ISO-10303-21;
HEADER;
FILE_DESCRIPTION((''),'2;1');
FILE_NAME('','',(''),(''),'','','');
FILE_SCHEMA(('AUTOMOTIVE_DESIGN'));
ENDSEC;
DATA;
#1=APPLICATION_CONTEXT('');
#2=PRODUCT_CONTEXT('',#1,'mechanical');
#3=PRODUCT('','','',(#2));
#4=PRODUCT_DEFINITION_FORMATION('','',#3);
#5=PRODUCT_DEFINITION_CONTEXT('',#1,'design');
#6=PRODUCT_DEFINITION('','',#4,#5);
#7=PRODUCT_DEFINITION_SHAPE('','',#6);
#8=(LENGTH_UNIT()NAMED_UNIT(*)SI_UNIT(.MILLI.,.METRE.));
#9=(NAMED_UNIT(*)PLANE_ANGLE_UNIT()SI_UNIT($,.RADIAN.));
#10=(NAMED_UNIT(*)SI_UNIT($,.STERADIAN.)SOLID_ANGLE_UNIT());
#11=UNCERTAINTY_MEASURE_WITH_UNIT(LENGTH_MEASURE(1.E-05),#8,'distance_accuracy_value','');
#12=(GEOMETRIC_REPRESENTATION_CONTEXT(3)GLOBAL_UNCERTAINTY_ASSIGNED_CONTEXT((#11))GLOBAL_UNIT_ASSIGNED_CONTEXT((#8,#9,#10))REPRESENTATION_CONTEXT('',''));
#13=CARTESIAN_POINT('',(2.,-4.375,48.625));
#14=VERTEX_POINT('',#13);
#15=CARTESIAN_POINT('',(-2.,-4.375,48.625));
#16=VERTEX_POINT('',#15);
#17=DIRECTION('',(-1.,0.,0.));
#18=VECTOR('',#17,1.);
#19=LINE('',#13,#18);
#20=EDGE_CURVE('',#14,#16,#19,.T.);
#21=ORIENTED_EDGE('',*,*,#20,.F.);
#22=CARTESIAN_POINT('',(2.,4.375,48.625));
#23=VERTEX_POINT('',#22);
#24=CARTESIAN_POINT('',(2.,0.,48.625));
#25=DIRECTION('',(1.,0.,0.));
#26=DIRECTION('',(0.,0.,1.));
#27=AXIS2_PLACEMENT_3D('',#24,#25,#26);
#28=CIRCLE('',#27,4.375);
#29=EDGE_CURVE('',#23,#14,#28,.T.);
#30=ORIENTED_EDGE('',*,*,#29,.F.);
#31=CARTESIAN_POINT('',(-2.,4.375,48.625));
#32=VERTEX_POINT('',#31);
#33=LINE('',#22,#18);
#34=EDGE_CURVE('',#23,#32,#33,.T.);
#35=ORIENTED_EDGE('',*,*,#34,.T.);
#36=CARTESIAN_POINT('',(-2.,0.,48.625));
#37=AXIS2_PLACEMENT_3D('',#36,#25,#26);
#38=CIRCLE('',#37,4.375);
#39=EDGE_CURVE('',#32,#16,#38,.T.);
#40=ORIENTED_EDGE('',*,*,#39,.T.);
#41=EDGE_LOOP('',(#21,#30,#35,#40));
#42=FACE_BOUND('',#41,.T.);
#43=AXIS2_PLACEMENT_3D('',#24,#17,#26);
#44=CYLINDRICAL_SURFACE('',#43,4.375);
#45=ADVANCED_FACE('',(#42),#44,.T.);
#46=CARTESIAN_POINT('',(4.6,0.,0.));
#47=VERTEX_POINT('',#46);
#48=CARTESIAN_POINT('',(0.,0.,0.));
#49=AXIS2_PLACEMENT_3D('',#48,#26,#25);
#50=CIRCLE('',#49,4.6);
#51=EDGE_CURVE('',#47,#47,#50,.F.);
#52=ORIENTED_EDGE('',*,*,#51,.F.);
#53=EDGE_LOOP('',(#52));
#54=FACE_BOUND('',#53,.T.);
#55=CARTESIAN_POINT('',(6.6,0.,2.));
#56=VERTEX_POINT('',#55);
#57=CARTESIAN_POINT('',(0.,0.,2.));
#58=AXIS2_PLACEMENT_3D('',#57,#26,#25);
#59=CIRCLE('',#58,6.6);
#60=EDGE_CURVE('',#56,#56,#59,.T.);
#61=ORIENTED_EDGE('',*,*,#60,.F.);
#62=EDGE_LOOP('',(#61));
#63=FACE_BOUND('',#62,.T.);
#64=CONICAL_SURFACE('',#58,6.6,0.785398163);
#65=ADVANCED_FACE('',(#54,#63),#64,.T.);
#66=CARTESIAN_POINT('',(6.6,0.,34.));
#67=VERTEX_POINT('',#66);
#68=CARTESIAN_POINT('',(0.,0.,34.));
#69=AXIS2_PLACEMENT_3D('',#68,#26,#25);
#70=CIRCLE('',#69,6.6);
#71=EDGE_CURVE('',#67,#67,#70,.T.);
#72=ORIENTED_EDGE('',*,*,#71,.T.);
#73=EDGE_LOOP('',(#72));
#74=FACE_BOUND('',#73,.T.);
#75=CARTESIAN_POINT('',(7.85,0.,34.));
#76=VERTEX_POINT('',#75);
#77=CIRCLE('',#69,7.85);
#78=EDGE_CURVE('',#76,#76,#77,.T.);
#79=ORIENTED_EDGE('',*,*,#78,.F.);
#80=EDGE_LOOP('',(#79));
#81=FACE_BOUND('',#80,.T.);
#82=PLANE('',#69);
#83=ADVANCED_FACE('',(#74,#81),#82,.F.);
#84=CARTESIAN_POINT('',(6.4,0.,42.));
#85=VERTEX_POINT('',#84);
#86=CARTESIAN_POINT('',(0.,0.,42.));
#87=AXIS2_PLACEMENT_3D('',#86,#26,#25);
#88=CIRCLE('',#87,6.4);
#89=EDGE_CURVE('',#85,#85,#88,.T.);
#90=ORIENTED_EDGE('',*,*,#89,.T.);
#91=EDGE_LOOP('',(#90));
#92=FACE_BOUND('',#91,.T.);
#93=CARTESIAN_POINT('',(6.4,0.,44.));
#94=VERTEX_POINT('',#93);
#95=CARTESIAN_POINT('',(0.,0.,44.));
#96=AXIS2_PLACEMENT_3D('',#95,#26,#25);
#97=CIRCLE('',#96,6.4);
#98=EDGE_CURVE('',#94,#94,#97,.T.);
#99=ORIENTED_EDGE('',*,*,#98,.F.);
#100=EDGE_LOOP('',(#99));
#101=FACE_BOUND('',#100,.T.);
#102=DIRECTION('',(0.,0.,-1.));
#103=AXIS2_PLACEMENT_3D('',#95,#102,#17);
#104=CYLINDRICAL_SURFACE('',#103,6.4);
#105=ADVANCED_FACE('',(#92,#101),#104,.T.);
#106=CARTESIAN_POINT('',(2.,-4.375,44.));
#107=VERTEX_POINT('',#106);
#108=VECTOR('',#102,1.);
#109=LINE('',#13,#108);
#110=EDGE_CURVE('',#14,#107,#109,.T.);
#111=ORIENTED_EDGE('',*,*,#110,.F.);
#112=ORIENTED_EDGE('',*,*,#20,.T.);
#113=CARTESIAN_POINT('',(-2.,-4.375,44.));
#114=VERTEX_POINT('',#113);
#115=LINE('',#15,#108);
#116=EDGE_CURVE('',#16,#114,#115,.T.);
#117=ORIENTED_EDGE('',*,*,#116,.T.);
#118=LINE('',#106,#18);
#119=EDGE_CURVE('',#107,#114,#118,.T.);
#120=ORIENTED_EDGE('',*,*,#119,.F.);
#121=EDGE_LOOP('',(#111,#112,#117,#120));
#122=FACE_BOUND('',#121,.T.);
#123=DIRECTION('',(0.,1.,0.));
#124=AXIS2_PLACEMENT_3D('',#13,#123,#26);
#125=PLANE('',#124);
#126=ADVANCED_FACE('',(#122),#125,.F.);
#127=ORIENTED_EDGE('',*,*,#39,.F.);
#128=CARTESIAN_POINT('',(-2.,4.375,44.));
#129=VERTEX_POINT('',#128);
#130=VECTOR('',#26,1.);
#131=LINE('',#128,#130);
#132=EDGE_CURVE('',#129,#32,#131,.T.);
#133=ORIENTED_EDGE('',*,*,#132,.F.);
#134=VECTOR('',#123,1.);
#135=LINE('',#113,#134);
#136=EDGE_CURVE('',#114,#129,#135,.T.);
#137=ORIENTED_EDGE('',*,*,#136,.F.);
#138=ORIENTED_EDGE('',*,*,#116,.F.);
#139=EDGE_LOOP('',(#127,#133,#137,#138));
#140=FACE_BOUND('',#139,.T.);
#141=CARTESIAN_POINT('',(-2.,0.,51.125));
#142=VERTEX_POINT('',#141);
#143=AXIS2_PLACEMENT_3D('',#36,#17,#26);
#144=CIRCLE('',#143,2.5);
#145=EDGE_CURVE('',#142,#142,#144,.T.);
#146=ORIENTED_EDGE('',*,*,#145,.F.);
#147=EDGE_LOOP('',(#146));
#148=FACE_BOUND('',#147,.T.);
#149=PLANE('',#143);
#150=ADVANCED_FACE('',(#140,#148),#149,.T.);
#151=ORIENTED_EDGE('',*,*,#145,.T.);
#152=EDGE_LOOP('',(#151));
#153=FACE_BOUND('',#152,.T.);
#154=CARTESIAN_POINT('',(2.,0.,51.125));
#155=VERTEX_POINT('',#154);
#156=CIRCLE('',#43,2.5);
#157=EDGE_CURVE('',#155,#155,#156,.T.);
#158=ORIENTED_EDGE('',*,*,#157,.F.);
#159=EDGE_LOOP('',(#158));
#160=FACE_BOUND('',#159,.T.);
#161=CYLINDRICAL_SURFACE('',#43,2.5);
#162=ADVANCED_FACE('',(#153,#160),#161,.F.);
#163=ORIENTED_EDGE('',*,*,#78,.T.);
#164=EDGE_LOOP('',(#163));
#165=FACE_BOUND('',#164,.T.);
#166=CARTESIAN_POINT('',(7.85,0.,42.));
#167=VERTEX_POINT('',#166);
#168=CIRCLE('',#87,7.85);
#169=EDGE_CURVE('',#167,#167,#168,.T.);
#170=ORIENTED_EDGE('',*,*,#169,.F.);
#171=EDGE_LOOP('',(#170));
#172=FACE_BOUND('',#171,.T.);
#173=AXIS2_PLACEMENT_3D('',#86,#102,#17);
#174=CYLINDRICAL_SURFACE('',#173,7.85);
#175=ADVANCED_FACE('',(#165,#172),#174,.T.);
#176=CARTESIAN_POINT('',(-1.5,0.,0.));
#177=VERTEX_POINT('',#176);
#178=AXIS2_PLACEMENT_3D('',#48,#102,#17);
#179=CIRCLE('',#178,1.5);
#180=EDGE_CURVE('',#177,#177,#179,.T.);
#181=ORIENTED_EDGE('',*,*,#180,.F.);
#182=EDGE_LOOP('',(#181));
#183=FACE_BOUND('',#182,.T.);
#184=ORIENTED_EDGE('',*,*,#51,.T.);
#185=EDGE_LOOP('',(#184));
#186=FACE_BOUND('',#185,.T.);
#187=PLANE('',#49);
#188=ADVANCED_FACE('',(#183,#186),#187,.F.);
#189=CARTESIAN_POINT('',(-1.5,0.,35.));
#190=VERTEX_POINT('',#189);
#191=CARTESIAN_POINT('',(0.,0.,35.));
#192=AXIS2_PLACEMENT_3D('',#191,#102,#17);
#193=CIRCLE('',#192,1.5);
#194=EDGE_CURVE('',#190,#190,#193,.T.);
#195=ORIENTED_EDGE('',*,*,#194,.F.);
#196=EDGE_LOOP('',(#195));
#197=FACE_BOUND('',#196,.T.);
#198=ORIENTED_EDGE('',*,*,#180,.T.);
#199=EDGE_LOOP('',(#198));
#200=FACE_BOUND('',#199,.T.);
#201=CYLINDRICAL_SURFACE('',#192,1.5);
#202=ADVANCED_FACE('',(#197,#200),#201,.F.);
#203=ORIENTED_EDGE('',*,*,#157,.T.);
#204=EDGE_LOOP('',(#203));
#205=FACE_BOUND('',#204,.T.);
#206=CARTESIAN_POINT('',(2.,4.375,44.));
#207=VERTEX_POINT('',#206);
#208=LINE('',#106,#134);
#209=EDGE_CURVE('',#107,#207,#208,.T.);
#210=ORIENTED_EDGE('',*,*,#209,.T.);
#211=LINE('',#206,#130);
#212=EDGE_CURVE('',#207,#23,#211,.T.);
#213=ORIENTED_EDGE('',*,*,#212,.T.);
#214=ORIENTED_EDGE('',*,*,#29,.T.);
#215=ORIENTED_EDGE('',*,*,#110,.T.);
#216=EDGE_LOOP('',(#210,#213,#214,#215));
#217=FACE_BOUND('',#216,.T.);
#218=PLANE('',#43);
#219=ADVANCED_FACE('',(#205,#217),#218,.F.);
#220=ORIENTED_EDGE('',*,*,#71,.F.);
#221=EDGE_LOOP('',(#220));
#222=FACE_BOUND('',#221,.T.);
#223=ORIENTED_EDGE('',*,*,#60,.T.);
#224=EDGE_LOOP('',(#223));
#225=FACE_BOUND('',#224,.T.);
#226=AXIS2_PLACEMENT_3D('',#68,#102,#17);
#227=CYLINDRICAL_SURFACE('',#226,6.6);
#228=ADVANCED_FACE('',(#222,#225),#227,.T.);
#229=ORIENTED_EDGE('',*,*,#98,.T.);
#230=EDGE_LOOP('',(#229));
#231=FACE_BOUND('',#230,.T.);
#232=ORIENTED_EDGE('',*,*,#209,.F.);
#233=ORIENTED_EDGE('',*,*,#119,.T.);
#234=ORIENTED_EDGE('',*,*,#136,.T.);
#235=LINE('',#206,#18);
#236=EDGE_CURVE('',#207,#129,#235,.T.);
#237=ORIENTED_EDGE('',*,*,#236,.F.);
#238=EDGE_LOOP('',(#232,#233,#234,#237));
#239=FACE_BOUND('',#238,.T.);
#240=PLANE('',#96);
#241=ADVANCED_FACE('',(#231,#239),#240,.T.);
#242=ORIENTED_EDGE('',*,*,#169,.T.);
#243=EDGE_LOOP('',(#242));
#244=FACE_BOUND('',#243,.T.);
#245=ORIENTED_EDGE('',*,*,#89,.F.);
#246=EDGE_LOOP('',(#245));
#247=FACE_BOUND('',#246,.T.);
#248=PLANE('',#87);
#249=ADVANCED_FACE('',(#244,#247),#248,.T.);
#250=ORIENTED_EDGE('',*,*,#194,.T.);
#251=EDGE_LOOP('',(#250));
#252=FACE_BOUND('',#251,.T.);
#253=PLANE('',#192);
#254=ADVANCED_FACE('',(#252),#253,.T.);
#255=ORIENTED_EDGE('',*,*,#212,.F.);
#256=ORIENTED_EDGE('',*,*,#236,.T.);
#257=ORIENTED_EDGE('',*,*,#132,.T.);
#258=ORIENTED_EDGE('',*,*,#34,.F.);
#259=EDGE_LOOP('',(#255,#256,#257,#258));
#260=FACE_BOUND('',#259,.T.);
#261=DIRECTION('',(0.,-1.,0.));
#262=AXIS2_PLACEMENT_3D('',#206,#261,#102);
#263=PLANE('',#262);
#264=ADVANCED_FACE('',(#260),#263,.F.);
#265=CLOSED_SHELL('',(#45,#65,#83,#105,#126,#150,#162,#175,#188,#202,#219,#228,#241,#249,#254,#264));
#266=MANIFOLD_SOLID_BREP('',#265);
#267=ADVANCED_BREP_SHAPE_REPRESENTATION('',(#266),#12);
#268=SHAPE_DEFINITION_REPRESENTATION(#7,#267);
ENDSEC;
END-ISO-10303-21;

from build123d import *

# Parameters (mm, degrees)
SKETCH2_R            = 6.6
EXTERNAL_SHOCK_DEPTH = 34
SHOCK_CHAMFER_SIZE   = 2
SKETCH3_R            = 7.85
CYLINDER_A_DEPTH     = 8
SKETCH4_R            = 6.4
CYLINDER_B_DEPTH     = 2
MOUNTING_BOSS_DEPTH  = 2
SKETCH6_R            = 2.5
MOUNTING_HOLE_DEPTH  = 4
SKETCH7_R            = 1.5
INNER_HOLE_DEPTH     = 35


with BuildPart() as part:
    # Sketch2 → External Shock (new body)
    with BuildSketch(Plane.XY):
        Circle(SKETCH2_R)
    extrude(amount=EXTERNAL_SHOCK_DEPTH)

    # Shock Chamfer
    shock_chamfer_edges = [part.edges().sort_by_distance(p)[0] for p in [
        (-6.6, 0, 0),
    ]]
    chamfer(shock_chamfer_edges, length=SHOCK_CHAMFER_SIZE)

    # Sketch3 → Cylinder A (add)
    with BuildSketch(Plane.XY.offset(34)):
        Circle(SKETCH3_R)
    extrude(amount=CYLINDER_A_DEPTH)

    # Sketch4 → Cylinder B (add)
    with BuildSketch(Plane.XY.offset(42)):
        Circle(SKETCH4_R)
    extrude(amount=CYLINDER_B_DEPTH)

    # Sketch5 → Mounting Boss (add, symmetric)
    with BuildSketch(Plane(origin=(0, 0, 0), x_dir=(0, 0, -1), z_dir=(1, 0, 0))):
        with BuildLine():
            Line((-48.625, -4.375), (-44, -4.375))
            Line((-44, -4.375), (-44, 4.375))
            Line((-44, 4.375), (-48.625, 4.375))
            ThreePointArc((-48.625, 4.375), (-53, 0), (-48.625, -4.375))
        make_face()
    extrude(amount=MOUNTING_BOSS_DEPTH, both=True)

    # Sketch6 → Mounting Hole (cut)
    with BuildSketch(Plane.ZY.offset(2)):
        with Locations((48.625, 0)):
            Circle(SKETCH6_R)
    extrude(amount=-MOUNTING_HOLE_DEPTH, mode=Mode.SUBTRACT)

    # Sketch7 → Inner Hole (cut)
    with BuildSketch(Plane(origin=(0, 0, 0), x_dir=(-1, 0, 0), z_dir=(0, 0, -1))):
        Circle(SKETCH7_R)
    extrude(amount=-INNER_HOLE_DEPTH, mode=Mode.SUBTRACT)


solid = part.part
